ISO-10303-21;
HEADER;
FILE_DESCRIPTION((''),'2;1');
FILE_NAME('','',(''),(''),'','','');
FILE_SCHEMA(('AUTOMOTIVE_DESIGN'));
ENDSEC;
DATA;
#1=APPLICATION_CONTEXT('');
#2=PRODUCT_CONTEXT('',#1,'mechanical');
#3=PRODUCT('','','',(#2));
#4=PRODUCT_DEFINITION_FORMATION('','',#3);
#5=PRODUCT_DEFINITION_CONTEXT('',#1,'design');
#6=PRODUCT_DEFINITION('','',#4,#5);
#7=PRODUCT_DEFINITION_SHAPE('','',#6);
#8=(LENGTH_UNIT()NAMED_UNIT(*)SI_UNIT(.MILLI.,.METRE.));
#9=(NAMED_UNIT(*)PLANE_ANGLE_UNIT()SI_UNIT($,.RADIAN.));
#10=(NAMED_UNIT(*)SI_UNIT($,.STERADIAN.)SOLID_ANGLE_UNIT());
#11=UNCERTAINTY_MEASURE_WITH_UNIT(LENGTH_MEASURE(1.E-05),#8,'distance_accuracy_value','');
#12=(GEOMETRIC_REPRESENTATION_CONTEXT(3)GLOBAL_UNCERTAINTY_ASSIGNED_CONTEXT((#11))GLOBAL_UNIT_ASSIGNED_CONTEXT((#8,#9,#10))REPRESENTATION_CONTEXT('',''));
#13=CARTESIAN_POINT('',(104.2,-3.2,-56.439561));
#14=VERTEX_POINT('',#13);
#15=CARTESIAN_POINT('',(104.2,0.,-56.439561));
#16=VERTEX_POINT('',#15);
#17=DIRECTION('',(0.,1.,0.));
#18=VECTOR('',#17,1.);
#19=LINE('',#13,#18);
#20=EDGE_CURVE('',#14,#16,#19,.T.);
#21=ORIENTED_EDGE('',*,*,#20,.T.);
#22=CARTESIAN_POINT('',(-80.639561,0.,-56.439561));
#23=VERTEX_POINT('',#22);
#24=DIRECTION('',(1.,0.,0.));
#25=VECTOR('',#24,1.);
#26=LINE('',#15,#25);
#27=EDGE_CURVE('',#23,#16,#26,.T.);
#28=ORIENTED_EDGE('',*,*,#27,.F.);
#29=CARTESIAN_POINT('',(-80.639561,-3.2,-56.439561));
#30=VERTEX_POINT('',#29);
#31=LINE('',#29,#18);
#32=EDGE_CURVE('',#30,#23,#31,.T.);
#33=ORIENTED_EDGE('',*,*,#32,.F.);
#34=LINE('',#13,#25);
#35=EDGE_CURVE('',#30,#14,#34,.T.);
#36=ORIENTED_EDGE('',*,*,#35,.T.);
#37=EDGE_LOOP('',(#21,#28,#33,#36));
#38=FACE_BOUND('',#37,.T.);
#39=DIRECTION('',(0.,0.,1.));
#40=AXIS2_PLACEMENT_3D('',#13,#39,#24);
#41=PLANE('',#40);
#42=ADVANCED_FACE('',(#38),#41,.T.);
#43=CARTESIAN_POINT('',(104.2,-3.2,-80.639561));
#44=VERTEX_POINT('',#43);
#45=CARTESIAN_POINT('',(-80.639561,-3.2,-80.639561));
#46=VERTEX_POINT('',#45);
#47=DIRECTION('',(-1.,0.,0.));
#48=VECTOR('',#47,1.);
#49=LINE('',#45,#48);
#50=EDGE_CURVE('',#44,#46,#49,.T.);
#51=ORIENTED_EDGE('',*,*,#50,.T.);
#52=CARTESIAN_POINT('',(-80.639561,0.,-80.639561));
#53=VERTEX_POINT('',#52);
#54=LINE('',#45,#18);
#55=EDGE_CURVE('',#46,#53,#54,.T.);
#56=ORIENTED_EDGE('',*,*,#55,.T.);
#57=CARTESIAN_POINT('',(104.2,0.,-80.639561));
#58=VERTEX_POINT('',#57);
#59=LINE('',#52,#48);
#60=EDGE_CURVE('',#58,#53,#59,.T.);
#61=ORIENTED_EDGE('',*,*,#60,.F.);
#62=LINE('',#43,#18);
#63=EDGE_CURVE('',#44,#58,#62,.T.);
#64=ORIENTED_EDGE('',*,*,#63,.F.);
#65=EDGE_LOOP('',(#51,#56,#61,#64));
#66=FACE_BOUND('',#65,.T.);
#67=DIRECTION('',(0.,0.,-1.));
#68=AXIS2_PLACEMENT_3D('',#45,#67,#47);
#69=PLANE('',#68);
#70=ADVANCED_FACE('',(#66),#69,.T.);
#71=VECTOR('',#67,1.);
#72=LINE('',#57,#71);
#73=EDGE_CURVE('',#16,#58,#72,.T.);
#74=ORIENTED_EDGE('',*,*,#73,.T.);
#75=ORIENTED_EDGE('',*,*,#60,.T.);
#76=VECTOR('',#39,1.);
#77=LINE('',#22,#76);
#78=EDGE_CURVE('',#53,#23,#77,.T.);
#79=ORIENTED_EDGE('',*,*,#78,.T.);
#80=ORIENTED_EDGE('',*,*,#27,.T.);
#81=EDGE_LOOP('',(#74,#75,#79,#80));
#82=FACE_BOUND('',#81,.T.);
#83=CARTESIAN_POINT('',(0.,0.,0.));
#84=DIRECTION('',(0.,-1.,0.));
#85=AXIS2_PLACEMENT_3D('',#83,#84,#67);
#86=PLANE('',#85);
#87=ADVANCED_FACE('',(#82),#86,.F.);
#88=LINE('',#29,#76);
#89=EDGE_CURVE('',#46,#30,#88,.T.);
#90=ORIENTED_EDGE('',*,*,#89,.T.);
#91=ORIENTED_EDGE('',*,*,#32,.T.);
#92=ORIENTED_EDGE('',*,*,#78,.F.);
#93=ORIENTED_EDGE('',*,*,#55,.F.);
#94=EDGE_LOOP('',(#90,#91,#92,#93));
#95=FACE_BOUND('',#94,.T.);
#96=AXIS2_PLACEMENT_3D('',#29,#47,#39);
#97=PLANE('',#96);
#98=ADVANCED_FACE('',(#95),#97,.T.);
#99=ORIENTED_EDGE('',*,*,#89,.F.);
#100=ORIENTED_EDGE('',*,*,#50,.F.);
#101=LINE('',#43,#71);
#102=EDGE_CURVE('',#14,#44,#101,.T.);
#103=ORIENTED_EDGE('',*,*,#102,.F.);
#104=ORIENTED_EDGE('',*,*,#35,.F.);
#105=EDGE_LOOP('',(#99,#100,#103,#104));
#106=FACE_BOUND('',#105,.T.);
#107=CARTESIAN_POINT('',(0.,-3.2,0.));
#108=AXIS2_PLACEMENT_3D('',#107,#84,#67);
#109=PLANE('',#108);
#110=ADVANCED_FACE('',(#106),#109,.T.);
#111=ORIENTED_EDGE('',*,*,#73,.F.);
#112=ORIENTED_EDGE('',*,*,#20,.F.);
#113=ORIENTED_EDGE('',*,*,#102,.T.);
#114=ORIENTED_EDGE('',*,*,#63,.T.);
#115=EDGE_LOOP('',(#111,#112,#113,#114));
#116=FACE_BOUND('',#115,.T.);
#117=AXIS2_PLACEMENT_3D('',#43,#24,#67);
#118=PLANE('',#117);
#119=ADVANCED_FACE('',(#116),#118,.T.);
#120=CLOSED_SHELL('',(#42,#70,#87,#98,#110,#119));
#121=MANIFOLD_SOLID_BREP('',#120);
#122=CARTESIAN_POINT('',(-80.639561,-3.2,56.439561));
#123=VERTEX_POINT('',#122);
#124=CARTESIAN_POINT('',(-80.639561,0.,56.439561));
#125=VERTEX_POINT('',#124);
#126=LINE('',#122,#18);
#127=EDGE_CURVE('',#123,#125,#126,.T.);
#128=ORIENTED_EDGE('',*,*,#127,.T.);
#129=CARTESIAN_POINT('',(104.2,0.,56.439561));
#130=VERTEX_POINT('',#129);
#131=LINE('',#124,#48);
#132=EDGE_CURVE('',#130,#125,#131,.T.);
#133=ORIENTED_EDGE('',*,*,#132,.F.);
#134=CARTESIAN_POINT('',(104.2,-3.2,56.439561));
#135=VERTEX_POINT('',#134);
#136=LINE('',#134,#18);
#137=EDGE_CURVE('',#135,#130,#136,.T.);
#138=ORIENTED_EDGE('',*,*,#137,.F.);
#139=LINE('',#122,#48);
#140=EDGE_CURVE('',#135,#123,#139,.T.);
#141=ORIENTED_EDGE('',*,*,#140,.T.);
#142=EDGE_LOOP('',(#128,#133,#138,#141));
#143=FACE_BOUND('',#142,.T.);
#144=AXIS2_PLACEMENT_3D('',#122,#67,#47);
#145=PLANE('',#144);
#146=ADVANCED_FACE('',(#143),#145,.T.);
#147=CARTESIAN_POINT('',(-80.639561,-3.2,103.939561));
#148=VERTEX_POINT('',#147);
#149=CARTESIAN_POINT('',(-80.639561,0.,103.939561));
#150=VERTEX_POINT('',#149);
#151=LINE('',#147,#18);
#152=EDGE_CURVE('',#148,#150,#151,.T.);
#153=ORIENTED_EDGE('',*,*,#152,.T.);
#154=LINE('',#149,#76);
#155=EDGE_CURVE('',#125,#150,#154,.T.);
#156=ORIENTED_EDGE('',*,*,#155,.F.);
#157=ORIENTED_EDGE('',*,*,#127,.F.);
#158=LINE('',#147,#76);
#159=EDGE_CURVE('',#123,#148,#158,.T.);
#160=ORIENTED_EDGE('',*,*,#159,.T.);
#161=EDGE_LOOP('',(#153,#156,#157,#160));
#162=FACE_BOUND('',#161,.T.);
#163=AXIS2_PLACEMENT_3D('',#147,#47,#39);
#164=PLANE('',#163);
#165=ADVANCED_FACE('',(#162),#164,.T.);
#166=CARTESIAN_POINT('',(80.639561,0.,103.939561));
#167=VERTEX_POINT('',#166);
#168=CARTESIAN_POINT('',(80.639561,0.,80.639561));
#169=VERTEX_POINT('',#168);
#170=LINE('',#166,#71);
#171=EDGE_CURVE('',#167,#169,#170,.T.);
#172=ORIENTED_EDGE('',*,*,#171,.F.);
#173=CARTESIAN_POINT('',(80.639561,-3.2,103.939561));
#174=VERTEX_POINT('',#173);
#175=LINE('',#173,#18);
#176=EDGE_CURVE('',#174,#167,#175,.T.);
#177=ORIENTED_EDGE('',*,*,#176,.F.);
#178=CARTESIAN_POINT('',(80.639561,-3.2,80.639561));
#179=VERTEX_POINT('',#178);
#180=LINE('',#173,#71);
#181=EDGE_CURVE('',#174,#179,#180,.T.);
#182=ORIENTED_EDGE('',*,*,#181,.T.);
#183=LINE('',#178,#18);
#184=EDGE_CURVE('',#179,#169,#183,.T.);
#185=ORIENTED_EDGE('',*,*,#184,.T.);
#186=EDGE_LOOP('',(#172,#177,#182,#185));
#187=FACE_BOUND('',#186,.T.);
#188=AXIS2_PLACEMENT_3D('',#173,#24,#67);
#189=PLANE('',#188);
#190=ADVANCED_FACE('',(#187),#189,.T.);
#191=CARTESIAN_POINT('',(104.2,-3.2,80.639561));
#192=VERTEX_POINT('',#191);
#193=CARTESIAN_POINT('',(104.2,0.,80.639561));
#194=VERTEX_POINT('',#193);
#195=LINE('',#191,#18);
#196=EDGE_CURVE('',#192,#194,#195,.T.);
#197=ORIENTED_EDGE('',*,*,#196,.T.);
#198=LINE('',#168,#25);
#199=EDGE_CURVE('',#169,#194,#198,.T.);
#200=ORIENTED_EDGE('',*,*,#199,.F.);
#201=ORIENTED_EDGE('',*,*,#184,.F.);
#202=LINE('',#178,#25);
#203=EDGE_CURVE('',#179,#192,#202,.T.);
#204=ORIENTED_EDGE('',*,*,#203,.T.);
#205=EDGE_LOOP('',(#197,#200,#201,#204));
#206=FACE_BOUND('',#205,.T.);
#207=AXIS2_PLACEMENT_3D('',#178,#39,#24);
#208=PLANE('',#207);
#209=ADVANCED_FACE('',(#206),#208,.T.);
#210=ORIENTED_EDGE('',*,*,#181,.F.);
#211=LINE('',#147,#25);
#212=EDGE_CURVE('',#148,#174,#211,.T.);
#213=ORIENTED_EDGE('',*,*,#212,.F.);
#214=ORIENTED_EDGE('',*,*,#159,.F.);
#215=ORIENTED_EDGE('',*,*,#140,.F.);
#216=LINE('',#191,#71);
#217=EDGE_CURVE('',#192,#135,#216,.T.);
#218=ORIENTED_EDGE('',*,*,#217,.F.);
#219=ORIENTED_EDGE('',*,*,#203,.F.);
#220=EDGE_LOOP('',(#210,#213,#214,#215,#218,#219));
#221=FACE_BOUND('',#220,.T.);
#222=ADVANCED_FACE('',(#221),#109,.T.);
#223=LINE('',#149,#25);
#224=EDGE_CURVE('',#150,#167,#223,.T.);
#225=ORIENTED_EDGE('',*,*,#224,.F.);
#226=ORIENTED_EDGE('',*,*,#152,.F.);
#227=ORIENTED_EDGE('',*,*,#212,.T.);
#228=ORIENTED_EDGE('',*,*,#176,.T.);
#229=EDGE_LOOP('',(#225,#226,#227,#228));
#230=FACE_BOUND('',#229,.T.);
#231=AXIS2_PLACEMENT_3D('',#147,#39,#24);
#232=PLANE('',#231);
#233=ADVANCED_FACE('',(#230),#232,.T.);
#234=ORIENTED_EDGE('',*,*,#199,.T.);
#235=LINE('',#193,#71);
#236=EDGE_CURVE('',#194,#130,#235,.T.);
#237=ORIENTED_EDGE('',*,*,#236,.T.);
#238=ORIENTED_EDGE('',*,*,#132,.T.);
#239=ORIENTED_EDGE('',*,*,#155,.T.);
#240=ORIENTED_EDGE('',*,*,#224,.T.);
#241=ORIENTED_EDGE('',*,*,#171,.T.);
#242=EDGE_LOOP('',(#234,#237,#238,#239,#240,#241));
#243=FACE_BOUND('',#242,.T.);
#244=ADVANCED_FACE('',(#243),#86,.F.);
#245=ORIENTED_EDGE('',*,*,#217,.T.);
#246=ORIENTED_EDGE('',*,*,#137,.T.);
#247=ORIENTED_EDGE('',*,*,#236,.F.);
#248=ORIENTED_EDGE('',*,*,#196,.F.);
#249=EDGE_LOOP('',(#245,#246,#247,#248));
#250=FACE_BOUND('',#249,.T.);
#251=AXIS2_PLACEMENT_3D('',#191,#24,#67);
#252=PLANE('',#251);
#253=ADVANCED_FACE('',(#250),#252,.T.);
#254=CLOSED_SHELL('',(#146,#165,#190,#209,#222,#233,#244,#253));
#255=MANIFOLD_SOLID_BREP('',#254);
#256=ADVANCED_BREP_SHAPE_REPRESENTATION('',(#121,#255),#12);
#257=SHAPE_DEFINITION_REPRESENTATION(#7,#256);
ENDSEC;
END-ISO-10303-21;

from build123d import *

# Parameters (mm, degrees)
BOSS_EXTRUDE1_DEPTH   = 3.2
SKETCH1_W             = 184.839561026
SKETCH1_H             = 24.2
BOSS_EXTRUDE1_2_DEPTH = 3.2


with BuildPart() as part:
    # Sketch1 → Boss-Extrude1 (new body)
    with BuildSketch(Plane(origin=(0, 0, 0), x_dir=(1, 0, 0), z_dir=(0, 1, 0))):
        Polygon((-80.639561026, -56.439561026), (104.2, -56.439561026), (104.2, -80.639561026), (80.639561026, -80.639561026), (80.639561026, -103.939561026), (-80.639561026, -103.939561026), align=None)
    extrude(amount=-BOSS_EXTRUDE1_DEPTH)


with BuildPart() as body_2:
    # Sketch1 → Boss-Extrude1 2 (new body)
    with BuildSketch(Plane(origin=(0, 0, 0), x_dir=(1, 0, 0), z_dir=(0, 1, 0))):
        with Locations((11.780219487, 68.539561026)):
            Rectangle(SKETCH1_W, SKETCH1_H)
    extrude(amount=-BOSS_EXTRUDE1_2_DEPTH)


solid = Compound([part.part, body_2.part])
